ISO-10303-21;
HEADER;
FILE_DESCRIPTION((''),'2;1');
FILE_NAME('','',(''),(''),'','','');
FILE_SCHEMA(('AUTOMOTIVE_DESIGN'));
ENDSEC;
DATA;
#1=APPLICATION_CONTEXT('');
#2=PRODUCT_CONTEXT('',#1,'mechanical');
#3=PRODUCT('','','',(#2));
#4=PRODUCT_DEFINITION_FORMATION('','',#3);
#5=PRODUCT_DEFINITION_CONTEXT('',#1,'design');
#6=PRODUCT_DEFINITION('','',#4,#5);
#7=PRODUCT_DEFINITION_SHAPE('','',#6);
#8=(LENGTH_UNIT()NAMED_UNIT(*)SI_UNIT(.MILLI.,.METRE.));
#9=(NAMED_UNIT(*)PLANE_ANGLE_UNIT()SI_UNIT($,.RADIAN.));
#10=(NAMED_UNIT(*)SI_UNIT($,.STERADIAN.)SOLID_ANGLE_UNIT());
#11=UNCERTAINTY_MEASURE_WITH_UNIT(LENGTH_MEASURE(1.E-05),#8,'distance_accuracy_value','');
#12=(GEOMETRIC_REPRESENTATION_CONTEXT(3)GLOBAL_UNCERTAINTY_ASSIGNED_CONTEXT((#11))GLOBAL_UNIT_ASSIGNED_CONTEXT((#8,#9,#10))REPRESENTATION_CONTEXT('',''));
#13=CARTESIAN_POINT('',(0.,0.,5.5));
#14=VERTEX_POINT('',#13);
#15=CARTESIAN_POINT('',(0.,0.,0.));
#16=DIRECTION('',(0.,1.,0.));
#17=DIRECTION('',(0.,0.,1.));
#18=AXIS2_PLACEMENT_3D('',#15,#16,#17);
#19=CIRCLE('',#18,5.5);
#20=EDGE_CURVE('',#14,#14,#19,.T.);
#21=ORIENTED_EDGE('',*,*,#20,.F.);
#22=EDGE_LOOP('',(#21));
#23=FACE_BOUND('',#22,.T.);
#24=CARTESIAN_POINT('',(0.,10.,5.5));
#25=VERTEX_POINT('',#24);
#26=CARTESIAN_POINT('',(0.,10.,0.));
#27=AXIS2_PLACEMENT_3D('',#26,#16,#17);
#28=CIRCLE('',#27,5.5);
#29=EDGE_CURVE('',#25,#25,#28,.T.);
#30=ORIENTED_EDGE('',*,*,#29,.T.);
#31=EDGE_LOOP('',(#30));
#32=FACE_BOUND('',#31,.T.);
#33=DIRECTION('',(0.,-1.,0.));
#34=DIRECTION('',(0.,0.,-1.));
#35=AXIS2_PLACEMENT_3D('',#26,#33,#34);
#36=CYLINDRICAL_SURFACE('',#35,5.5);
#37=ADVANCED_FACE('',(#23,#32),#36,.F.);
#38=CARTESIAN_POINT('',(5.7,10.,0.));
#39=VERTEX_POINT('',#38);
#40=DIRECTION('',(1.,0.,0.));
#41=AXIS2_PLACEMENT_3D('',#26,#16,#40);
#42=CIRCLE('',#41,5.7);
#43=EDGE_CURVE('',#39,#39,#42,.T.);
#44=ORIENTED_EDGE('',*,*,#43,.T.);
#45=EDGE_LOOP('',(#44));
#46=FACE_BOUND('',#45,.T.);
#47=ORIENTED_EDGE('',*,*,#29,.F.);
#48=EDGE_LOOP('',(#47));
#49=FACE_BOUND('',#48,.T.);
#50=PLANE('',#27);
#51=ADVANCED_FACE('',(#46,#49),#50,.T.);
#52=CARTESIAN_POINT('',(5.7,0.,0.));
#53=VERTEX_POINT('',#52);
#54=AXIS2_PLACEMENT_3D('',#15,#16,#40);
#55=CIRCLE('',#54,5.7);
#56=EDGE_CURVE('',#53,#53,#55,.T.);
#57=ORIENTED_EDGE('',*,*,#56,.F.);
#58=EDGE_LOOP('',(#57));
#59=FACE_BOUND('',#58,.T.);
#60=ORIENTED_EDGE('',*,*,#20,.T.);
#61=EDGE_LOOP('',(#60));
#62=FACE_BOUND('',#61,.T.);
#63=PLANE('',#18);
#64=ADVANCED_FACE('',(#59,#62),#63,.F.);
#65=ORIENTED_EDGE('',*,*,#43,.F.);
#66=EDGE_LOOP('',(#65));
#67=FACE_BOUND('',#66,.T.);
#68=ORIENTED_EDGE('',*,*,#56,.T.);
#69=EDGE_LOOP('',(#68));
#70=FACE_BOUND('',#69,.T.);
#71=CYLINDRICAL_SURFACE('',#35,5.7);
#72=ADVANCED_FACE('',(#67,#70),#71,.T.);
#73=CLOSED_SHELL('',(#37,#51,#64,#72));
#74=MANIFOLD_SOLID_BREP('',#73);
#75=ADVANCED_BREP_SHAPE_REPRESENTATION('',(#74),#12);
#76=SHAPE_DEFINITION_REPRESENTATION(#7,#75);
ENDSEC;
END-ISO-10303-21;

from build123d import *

# Parameters (mm, degrees)
CROQUIS1_R            = 5.7
CROQUIS1_R_2          = 5.5
EXTRUIR_L_MINA1_DEPTH = 10


with BuildPart() as part:
    # Croquis1 → Extruir-Lámina1 (new body)
    with BuildSketch(Plane(origin=(0, 0, 0), x_dir=(1, 0, 0), z_dir=(0, 1, 0))):
        Circle(CROQUIS1_R)
        Circle(CROQUIS1_R_2, mode=Mode.SUBTRACT)
    extrude(amount=EXTRUIR_L_MINA1_DEPTH)


solid = part.part
